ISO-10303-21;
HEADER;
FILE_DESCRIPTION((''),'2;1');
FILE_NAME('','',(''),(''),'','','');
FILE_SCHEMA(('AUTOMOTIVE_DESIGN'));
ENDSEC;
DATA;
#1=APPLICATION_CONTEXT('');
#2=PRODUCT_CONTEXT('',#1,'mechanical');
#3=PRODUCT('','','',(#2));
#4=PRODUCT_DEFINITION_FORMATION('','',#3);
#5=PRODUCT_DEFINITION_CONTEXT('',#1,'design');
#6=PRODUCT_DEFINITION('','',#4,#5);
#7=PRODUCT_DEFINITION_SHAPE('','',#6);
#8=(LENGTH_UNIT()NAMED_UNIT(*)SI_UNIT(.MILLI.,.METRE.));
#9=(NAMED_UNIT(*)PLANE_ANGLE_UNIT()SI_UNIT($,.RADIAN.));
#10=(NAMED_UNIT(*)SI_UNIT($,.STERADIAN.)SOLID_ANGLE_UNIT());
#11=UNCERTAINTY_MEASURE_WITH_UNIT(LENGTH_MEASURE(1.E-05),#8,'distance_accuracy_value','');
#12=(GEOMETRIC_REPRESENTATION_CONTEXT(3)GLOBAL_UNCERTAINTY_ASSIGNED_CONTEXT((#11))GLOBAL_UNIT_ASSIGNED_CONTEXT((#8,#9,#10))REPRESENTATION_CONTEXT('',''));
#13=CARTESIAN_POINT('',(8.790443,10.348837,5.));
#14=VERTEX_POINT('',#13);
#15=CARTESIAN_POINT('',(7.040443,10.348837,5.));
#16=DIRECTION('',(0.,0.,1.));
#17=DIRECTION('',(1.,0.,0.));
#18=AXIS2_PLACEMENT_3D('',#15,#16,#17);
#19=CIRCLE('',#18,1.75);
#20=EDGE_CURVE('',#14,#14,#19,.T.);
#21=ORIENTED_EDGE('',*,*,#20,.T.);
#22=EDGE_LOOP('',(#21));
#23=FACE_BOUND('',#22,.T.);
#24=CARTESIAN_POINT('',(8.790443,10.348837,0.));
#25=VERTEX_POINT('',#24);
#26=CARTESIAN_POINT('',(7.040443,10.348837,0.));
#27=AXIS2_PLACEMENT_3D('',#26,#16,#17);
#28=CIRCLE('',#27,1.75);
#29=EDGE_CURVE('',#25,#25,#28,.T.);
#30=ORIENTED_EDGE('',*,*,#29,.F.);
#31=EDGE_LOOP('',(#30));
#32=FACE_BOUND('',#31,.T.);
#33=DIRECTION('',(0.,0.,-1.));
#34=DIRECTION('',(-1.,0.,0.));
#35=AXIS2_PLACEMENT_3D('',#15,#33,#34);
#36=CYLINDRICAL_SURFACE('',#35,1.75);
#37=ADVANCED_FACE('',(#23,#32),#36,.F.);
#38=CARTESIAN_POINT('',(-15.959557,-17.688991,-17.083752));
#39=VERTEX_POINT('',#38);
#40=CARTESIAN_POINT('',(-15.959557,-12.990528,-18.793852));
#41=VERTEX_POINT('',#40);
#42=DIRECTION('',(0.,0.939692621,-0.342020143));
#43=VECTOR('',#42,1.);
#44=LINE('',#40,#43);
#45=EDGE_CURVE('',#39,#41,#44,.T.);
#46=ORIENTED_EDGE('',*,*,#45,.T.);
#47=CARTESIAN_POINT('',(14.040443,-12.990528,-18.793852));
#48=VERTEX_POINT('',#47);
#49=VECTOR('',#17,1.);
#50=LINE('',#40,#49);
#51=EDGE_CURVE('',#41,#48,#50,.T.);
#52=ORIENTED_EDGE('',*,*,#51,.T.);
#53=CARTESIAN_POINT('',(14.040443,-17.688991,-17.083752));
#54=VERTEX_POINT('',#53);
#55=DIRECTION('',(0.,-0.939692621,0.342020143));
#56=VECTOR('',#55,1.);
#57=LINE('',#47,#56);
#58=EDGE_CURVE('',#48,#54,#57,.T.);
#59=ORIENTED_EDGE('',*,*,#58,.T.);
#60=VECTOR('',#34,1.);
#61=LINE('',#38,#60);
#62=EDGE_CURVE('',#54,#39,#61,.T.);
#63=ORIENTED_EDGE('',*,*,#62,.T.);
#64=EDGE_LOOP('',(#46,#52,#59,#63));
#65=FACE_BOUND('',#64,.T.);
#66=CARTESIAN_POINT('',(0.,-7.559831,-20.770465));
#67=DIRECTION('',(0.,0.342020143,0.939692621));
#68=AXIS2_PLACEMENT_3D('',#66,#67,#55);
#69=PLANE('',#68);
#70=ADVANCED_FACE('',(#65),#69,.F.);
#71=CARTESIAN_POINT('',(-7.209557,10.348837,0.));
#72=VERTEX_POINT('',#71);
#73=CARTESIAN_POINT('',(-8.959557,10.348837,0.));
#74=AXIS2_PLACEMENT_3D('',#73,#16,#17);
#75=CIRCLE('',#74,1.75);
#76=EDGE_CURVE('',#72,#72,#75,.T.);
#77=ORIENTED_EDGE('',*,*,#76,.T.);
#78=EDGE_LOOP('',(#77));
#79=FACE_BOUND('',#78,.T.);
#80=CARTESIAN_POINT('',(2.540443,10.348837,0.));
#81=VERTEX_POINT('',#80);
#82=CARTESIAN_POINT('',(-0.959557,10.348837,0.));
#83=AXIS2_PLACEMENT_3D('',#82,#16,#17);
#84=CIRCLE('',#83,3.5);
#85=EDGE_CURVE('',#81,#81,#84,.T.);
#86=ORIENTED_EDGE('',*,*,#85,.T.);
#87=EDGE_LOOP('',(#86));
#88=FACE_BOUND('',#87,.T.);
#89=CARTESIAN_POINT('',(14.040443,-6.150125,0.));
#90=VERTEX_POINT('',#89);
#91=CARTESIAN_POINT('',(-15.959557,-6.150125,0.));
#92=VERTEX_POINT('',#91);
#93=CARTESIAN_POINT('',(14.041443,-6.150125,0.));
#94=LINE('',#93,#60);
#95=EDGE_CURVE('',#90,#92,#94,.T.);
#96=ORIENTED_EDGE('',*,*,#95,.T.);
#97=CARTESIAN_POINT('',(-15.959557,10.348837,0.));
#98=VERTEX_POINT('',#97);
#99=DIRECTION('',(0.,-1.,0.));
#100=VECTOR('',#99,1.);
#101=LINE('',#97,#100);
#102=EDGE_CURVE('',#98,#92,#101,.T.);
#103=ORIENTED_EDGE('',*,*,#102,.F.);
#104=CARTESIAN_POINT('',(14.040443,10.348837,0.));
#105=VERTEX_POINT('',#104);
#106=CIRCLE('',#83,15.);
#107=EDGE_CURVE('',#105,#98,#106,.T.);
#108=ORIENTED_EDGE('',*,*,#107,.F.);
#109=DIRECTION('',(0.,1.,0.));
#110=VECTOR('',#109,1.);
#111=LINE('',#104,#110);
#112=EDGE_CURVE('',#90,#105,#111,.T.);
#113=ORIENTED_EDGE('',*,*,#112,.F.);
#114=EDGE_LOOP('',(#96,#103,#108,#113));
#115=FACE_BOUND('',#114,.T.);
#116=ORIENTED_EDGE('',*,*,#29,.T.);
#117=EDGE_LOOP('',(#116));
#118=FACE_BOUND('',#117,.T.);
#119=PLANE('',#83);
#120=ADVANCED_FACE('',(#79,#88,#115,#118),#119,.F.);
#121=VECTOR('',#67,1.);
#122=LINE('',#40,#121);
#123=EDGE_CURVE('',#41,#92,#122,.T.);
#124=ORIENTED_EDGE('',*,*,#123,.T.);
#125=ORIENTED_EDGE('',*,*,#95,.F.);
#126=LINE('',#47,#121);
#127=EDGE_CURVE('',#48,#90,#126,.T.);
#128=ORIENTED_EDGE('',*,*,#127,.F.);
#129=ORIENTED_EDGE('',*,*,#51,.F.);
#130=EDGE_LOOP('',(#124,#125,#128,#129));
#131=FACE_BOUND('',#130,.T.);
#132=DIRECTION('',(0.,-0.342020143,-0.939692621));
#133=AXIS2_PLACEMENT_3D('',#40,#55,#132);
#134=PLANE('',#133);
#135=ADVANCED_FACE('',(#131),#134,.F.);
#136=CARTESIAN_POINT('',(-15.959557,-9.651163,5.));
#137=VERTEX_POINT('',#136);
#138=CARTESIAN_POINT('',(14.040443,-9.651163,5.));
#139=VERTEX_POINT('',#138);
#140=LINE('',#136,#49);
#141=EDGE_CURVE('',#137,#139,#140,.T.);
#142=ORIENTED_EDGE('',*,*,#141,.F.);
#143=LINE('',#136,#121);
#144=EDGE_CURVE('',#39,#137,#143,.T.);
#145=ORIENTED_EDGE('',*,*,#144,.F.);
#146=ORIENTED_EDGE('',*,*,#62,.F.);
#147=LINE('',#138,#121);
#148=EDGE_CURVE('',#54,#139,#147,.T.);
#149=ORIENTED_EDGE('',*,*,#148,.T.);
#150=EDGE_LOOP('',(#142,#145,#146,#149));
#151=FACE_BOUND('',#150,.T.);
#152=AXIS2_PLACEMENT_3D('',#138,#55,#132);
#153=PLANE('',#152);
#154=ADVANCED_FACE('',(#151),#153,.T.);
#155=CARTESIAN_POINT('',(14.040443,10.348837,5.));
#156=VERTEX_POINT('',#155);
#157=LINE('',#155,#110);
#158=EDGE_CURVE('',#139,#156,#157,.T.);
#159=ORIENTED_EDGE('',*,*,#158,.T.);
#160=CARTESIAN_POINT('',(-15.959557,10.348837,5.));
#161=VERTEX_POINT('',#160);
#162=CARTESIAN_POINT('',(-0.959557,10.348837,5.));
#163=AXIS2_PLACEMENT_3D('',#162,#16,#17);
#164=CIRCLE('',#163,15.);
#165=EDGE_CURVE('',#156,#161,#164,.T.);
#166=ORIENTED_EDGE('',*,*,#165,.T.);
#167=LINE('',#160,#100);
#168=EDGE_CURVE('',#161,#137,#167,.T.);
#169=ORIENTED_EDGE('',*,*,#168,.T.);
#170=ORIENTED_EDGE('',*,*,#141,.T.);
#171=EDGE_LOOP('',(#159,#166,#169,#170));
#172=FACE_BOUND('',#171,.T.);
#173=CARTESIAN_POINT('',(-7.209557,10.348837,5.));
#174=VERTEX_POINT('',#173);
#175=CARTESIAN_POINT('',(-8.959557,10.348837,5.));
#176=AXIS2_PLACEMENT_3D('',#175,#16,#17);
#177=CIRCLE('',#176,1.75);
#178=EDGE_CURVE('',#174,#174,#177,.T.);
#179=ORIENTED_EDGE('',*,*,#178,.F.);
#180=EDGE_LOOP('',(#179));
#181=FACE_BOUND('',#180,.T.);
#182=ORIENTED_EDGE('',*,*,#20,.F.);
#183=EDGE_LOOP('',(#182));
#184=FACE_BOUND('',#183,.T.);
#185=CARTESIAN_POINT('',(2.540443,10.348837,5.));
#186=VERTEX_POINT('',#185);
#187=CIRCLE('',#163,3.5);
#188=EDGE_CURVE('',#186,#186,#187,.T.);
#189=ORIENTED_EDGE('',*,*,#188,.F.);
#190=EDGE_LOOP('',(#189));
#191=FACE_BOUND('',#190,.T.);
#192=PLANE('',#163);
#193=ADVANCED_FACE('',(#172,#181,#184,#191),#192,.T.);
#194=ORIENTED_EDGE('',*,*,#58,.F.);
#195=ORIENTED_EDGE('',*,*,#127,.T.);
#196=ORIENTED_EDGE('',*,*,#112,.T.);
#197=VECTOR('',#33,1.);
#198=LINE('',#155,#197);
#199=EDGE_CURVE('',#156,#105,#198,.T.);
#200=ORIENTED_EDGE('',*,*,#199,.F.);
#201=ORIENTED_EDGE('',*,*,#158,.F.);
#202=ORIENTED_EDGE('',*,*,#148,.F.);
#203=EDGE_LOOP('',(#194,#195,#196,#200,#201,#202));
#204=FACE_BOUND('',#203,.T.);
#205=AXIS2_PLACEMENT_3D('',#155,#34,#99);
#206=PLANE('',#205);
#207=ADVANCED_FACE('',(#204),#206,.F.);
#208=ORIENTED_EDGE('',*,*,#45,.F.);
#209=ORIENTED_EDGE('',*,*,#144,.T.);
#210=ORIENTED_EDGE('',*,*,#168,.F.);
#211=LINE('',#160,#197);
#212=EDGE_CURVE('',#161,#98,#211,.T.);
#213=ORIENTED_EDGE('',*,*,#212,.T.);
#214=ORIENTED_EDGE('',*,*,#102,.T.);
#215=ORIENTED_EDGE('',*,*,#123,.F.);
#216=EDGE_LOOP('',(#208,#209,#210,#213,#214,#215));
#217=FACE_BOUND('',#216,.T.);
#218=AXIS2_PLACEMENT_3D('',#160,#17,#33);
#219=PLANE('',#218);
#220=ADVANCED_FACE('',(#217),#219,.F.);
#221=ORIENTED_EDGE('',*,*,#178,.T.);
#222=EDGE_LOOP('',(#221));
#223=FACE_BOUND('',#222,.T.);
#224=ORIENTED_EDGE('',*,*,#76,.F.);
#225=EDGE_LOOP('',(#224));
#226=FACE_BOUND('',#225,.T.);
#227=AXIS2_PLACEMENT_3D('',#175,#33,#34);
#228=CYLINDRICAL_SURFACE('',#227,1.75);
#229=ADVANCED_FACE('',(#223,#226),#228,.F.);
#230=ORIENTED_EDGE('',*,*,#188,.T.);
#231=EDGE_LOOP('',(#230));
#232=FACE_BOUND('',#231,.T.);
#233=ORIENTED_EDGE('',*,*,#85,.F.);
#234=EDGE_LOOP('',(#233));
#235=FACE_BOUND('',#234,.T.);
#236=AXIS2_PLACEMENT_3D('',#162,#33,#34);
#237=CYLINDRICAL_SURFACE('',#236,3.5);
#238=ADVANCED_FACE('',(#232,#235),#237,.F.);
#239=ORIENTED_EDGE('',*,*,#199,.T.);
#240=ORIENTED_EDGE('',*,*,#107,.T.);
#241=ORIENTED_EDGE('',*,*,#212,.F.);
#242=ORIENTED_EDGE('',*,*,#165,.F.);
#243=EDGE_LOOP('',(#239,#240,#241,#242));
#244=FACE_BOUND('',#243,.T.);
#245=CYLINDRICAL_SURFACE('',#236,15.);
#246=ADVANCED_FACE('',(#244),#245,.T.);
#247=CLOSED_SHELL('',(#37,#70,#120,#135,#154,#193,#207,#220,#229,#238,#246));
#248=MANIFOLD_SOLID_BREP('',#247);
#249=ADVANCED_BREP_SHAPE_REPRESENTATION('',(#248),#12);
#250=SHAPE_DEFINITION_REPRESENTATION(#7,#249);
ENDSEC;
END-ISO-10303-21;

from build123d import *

# Parameters (mm, degrees)
ESQUISSE1_R             = 1.75
ESQUISSE1_R_2           = 3.5
BOSS_EXTRU_1_DEPTH      = 5
ENL_V_MAT_EXTRU_2_REACH = 41.592
BOSS_EXTRU_2_DEPTH      = 30
ESQUISSE5_W             = 30
ESQUISSE5_H             = 5
BOSS_EXTRU_3_DEPTH      = 20


with BuildPart() as part:
    # Esquisse1 → Boss.-Extru.1 (new body)
    with BuildSketch(Plane.XY):
        with BuildLine():
            Line((-15.959557324, 10.348837209), (-15.959557324, -9.651162791))
            Line((-15.959557324, -9.651162791), (14.040442676, -9.651162791))
            Line((14.040442676, -9.651162791), (14.040442676, 10.348837209))
            ThreePointArc((14.040442676, 10.348837209), (-0.959557324, 25.348837209), (-15.959557324, 10.348837209))
        make_face()
        with Locations((-8.959557324, 10.348837209)):
            Circle(ESQUISSE1_R, mode=Mode.SUBTRACT)
        with Locations((7.040442676, 10.348837209)):
            Circle(ESQUISSE1_R, mode=Mode.SUBTRACT)
        with Locations((-0.959557324, 10.348837209)):
            Circle(ESQUISSE1_R_2, mode=Mode.SUBTRACT)
    extrude(amount=BOSS_EXTRU_1_DEPTH)

    # Esquisse2 → Enlèv. mat.-Extru.2 (cut, up to next)
    with BuildSketch(Plane.ZY.offset(15.959557324), mode=Mode.PRIVATE) as enl_v_mat_extru_2_sk1:
        Polygon((0, -9.651162791), (0, -6.1501251), (1.274273509, -9.651162791), align=None)
    enl_v_mat_extru_2_tool1 = extrude(enl_v_mat_extru_2_sk1.sketch, amount=-ENL_V_MAT_EXTRU_2_REACH, mode=Mode.PRIVATE) & part.part
    add(enl_v_mat_extru_2_tool1.solids().sort_by_distance((-15.959557, -8.48415, 0.424758))[0], mode=Mode.SUBTRACT)

    # Esquisse4 → Boss.-Extru.2 (add)
    with BuildSketch(Plane.ZY.offset(15.959557324)):
        Polygon((5, -9.651162791), (1.710100717, -10.848588204), (1.274273509, -9.651162791), align=None)
    extrude(amount=-BOSS_EXTRU_2_DEPTH)

    # Esquisse5 → Boss.-Extru.3 (add)
    with BuildSketch(Plane(origin=(0, -0.719427971, -1.976612106), x_dir=(-1, 0, 0), z_dir=(0, -0.34202014332566333, -0.9396926207859103))):
        with Locations((0.959557324, -8.279227173)):
            Rectangle(ESQUISSE5_W, ESQUISSE5_H)
    extrude(amount=BOSS_EXTRU_3_DEPTH)


solid = part.part
